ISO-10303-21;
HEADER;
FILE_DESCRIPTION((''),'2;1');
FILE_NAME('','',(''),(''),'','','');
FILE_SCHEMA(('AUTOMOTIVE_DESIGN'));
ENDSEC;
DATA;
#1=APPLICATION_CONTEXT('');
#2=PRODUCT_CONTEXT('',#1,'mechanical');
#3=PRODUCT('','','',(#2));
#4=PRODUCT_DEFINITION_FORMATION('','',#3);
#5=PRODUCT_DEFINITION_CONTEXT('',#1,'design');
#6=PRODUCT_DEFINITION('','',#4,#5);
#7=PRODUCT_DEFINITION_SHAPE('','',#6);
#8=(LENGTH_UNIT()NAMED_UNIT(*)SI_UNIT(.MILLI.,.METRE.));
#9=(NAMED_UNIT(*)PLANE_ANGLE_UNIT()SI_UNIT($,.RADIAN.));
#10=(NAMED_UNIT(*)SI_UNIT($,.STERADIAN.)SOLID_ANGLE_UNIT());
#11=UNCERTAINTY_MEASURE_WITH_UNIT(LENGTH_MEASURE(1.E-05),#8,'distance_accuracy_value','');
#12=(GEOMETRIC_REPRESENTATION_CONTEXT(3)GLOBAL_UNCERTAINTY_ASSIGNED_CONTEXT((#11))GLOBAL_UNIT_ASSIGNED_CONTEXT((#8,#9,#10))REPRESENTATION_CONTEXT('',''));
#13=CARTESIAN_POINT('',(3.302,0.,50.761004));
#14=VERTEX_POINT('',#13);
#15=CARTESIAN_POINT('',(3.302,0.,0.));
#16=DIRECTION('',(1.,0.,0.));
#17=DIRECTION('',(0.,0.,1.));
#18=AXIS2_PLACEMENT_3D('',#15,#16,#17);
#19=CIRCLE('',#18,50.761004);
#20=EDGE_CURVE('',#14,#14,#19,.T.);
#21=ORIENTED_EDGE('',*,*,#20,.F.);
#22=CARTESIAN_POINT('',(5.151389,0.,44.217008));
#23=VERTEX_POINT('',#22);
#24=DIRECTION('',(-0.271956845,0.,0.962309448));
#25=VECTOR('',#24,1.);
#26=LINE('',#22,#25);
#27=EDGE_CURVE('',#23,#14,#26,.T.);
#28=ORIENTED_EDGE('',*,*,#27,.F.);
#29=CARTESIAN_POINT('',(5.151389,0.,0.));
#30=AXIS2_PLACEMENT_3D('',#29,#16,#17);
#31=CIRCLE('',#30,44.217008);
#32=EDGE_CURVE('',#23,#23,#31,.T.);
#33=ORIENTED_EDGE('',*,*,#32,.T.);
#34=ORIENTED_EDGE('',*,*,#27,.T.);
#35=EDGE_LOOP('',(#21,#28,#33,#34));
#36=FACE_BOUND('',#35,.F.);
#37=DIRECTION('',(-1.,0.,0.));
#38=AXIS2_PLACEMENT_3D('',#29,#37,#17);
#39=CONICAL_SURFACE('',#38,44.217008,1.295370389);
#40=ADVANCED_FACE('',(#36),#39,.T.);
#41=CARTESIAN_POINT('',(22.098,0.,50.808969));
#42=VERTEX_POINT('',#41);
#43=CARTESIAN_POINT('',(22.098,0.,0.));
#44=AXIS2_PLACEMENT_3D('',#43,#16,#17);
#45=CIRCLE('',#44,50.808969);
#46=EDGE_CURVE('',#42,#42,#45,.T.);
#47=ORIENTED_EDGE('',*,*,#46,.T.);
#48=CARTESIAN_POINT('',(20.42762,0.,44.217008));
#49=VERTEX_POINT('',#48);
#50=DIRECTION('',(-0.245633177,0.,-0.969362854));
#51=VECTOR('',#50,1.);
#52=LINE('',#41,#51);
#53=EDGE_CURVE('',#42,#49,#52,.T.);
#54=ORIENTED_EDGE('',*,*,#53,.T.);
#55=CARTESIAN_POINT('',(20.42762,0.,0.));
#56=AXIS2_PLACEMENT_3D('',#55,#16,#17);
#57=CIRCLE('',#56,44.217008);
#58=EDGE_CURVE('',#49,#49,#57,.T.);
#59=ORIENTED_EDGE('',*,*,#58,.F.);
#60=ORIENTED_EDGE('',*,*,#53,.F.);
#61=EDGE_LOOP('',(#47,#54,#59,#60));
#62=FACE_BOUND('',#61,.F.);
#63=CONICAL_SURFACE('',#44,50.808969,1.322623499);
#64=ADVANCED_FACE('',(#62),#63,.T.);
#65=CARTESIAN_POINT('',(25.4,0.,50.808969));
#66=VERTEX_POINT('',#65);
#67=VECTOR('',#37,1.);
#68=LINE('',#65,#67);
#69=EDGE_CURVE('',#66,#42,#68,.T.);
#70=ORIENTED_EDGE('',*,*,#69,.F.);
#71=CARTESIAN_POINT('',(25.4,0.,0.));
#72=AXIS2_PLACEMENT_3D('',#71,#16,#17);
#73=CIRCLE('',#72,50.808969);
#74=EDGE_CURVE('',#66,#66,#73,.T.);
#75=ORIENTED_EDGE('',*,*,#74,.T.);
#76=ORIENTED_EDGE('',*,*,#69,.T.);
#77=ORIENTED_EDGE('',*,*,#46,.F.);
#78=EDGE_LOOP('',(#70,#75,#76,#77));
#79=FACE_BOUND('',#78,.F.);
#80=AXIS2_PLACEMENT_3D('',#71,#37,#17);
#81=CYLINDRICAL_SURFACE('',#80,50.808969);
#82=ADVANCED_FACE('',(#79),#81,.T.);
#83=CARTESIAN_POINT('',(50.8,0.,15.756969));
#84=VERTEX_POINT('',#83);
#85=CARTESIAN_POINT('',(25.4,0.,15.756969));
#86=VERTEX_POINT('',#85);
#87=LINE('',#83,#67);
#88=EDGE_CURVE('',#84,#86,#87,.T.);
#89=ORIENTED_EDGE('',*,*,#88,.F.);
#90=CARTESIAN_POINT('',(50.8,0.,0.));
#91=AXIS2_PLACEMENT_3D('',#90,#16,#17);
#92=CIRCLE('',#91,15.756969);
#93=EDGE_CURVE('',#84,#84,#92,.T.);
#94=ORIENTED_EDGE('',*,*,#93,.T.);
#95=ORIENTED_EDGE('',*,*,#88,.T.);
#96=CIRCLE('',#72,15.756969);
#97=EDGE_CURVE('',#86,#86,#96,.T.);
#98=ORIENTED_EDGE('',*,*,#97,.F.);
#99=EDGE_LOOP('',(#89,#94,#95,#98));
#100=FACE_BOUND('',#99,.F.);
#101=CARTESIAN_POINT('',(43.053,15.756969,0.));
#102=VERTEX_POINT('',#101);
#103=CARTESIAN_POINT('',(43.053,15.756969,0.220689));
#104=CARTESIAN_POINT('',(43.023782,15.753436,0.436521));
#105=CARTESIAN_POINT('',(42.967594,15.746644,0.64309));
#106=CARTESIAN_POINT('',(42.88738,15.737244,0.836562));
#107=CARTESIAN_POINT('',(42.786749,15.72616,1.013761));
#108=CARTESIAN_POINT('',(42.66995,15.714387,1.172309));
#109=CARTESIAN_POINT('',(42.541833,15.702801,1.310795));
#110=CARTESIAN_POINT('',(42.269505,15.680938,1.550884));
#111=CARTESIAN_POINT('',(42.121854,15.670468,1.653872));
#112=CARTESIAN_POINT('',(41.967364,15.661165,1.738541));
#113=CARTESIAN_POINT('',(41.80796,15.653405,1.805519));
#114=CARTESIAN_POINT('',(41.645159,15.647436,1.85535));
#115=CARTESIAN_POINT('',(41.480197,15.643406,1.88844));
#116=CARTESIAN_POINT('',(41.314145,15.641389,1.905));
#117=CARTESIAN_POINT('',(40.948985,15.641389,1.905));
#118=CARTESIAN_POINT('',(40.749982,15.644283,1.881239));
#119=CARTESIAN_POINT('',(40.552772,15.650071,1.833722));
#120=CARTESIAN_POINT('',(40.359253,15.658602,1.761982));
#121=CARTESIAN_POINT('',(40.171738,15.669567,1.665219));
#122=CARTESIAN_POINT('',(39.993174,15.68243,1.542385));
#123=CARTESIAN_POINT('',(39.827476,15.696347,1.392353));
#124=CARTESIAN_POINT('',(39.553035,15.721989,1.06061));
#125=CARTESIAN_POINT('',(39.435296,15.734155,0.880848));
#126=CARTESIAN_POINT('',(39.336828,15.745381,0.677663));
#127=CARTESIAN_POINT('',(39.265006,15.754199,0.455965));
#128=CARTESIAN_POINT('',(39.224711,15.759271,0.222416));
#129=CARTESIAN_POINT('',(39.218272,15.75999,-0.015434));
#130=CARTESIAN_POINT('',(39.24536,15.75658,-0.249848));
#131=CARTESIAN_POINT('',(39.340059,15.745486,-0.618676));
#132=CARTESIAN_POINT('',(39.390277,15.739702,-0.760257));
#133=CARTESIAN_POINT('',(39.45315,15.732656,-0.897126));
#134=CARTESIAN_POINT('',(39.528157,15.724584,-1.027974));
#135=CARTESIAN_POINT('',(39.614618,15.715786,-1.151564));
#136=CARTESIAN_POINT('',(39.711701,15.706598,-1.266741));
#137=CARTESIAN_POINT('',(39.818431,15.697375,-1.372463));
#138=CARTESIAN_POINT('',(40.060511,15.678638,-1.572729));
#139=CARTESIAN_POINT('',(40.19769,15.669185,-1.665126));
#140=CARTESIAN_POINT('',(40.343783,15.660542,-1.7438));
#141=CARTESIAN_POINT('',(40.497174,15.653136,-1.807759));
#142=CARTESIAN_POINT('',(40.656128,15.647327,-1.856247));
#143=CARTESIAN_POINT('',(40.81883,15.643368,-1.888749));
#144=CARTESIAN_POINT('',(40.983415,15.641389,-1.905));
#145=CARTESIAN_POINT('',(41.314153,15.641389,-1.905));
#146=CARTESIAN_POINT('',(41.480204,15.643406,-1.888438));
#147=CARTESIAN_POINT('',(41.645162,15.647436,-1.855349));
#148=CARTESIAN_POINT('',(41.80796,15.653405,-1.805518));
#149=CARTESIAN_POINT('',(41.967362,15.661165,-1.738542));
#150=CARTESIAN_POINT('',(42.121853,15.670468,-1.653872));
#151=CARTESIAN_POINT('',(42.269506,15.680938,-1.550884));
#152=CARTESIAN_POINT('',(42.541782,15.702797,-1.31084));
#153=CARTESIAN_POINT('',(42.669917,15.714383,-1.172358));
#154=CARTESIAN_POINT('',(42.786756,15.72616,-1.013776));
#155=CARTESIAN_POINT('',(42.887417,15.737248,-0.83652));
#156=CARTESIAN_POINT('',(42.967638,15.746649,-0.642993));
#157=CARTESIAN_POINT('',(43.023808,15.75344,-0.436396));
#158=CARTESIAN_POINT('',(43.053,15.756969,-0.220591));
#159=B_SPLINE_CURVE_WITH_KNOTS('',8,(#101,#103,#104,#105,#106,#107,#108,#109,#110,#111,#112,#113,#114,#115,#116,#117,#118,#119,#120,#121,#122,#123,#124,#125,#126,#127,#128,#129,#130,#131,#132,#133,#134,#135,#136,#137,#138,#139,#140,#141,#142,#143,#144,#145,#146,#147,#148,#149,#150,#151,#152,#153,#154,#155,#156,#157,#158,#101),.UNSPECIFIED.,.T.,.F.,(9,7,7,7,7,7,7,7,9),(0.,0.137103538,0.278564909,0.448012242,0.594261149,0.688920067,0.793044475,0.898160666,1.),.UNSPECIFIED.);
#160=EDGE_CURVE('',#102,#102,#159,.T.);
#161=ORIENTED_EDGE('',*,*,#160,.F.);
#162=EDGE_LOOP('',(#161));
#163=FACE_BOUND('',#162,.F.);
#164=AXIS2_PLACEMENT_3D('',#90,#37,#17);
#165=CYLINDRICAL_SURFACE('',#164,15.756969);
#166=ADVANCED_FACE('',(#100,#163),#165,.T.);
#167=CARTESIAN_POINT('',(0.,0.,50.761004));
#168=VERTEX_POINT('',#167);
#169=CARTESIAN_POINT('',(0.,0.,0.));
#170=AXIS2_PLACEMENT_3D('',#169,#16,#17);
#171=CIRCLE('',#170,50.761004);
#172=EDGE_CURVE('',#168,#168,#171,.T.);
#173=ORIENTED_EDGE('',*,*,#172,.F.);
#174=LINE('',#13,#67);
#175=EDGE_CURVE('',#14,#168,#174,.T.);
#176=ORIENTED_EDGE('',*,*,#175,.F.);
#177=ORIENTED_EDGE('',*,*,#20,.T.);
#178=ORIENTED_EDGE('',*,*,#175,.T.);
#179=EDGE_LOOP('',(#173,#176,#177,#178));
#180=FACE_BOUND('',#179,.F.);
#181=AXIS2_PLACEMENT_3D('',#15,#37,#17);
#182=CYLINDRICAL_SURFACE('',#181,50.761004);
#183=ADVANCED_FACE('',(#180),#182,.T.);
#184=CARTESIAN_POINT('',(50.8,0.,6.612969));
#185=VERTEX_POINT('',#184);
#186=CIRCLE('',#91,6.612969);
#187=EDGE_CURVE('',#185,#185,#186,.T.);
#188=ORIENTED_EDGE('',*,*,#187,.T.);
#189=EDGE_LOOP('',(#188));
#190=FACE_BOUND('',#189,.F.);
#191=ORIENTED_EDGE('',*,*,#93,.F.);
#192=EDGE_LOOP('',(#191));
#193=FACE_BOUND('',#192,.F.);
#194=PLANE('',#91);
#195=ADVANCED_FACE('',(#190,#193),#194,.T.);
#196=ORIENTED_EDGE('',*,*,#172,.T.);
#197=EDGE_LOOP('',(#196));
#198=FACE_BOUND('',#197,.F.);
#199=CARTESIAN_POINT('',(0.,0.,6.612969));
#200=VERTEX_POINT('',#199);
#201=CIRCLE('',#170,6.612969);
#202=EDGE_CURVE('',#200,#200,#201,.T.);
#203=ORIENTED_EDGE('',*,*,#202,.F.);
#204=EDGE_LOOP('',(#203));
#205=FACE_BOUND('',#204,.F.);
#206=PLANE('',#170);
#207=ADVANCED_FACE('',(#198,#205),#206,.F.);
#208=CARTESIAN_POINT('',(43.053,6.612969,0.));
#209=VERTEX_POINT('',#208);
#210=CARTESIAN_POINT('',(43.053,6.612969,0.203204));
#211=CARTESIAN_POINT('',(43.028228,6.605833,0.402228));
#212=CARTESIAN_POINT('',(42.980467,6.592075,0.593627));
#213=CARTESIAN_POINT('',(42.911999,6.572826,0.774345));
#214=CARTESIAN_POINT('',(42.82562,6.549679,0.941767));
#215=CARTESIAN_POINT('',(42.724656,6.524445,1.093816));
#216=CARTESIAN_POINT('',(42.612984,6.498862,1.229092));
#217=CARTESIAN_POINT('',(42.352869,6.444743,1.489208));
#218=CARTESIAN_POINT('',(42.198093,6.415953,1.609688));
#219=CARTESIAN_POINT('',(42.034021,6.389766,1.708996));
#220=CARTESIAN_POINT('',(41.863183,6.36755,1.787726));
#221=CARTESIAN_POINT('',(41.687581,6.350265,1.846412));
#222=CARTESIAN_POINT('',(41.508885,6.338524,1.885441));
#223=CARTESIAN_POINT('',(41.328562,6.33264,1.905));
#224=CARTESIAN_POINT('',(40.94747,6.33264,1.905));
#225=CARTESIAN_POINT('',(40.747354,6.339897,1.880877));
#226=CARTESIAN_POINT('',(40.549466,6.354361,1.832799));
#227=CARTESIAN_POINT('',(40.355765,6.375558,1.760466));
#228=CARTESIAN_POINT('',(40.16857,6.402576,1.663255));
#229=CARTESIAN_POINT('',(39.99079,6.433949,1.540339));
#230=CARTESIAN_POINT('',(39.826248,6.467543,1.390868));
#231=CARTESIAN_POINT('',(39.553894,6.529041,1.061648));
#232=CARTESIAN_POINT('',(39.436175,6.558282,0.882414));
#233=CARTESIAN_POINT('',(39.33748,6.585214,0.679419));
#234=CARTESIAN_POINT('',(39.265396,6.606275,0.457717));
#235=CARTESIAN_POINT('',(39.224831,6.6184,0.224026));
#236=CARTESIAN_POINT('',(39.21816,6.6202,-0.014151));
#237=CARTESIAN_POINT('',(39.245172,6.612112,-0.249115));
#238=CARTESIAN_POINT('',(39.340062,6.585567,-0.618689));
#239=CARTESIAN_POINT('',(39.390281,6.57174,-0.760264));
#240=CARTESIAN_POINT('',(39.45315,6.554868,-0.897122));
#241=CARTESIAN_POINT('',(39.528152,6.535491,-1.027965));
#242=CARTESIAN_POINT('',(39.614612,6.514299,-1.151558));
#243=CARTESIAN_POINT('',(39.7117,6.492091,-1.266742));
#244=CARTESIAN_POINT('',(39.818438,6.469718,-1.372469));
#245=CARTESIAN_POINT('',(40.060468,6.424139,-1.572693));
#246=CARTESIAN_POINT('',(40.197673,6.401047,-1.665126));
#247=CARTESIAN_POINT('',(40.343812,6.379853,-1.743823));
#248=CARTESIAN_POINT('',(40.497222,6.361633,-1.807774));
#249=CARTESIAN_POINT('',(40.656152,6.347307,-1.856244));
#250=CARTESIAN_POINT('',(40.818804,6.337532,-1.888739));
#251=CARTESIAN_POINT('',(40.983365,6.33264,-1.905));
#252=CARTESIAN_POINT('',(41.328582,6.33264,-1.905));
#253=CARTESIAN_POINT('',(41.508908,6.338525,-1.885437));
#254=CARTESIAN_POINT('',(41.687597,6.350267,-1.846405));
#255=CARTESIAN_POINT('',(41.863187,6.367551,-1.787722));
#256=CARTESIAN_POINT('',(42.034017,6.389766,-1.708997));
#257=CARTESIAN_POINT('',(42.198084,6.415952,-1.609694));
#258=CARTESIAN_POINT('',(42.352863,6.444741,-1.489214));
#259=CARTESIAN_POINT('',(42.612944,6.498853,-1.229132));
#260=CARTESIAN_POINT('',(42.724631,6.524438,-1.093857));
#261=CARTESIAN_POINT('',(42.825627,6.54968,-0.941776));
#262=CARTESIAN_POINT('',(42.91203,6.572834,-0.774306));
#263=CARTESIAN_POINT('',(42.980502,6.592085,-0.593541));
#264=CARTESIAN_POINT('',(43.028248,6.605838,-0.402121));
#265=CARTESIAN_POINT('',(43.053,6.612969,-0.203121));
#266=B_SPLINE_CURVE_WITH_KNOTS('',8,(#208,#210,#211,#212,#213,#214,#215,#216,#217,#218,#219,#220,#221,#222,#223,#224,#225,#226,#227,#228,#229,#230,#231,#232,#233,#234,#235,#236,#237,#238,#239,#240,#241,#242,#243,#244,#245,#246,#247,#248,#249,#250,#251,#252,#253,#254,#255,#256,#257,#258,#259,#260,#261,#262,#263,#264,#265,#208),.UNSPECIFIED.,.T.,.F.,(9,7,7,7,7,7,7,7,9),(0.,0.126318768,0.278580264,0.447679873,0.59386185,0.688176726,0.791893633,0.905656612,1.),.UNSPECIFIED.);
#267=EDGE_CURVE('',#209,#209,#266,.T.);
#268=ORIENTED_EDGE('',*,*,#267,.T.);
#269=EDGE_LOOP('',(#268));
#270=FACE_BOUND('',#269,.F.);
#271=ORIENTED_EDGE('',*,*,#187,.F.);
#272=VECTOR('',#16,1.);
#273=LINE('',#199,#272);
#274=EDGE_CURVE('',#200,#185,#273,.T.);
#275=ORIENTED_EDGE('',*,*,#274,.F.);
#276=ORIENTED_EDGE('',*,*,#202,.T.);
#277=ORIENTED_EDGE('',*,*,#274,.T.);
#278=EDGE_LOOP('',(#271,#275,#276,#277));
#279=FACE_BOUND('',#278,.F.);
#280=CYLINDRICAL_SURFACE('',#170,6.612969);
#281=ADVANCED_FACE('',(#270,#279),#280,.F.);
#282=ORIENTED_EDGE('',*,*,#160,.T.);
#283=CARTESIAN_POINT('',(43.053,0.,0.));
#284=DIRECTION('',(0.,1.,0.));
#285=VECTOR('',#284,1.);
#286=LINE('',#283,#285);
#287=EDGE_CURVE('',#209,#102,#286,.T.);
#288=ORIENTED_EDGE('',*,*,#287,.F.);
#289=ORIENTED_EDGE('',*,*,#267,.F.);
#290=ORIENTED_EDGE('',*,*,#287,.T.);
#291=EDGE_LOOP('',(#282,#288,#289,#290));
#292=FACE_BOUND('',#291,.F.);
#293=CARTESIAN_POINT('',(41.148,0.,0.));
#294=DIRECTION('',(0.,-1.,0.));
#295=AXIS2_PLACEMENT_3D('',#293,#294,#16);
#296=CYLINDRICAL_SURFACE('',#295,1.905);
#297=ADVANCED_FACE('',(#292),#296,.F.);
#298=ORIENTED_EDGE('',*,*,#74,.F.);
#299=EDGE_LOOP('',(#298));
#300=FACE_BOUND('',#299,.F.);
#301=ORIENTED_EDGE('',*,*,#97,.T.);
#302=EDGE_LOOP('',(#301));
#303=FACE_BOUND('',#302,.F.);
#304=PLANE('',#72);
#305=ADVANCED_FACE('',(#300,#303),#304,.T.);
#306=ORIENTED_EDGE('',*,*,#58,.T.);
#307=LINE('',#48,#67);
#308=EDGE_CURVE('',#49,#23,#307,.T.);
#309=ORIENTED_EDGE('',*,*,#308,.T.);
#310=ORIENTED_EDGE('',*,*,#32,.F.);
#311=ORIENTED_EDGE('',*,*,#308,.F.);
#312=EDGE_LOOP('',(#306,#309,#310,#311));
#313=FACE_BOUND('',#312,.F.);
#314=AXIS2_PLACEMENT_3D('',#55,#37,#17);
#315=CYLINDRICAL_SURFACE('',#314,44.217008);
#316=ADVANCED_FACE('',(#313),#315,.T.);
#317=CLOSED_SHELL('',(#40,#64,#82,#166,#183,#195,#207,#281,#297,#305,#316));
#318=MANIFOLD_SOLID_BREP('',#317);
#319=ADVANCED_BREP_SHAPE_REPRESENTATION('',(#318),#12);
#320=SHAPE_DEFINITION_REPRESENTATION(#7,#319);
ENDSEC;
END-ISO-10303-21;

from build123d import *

# Parameters (mm, degrees)
F2_R     = 1.905
F3_DEPTH = 25.4


with BuildPart() as f1:
    # F0 (on Front) → F1 (revolve)
    with BuildSketch(Plane.XZ):
        Polygon((0, 50.761004), (0, 6.612969), (50.8, 6.612969), (50.8, 15.756969), (25.4, 15.756969), (25.4, 50.808969), (22.098, 50.808969), (20.42762, 44.217008), (5.151389, 44.217008), (3.302, 50.761004), align=None)
    revolve(axis=Axis((50.224784, 0, 0), (1, 0, 0)))

    # F2 (on Front) → F3 (cut)
    with BuildSketch(Plane.XZ):
        with Locations((41.148, 0)):
            Circle(F2_R)
    extrude(amount=-F3_DEPTH, mode=Mode.SUBTRACT)


solid = f1.part
